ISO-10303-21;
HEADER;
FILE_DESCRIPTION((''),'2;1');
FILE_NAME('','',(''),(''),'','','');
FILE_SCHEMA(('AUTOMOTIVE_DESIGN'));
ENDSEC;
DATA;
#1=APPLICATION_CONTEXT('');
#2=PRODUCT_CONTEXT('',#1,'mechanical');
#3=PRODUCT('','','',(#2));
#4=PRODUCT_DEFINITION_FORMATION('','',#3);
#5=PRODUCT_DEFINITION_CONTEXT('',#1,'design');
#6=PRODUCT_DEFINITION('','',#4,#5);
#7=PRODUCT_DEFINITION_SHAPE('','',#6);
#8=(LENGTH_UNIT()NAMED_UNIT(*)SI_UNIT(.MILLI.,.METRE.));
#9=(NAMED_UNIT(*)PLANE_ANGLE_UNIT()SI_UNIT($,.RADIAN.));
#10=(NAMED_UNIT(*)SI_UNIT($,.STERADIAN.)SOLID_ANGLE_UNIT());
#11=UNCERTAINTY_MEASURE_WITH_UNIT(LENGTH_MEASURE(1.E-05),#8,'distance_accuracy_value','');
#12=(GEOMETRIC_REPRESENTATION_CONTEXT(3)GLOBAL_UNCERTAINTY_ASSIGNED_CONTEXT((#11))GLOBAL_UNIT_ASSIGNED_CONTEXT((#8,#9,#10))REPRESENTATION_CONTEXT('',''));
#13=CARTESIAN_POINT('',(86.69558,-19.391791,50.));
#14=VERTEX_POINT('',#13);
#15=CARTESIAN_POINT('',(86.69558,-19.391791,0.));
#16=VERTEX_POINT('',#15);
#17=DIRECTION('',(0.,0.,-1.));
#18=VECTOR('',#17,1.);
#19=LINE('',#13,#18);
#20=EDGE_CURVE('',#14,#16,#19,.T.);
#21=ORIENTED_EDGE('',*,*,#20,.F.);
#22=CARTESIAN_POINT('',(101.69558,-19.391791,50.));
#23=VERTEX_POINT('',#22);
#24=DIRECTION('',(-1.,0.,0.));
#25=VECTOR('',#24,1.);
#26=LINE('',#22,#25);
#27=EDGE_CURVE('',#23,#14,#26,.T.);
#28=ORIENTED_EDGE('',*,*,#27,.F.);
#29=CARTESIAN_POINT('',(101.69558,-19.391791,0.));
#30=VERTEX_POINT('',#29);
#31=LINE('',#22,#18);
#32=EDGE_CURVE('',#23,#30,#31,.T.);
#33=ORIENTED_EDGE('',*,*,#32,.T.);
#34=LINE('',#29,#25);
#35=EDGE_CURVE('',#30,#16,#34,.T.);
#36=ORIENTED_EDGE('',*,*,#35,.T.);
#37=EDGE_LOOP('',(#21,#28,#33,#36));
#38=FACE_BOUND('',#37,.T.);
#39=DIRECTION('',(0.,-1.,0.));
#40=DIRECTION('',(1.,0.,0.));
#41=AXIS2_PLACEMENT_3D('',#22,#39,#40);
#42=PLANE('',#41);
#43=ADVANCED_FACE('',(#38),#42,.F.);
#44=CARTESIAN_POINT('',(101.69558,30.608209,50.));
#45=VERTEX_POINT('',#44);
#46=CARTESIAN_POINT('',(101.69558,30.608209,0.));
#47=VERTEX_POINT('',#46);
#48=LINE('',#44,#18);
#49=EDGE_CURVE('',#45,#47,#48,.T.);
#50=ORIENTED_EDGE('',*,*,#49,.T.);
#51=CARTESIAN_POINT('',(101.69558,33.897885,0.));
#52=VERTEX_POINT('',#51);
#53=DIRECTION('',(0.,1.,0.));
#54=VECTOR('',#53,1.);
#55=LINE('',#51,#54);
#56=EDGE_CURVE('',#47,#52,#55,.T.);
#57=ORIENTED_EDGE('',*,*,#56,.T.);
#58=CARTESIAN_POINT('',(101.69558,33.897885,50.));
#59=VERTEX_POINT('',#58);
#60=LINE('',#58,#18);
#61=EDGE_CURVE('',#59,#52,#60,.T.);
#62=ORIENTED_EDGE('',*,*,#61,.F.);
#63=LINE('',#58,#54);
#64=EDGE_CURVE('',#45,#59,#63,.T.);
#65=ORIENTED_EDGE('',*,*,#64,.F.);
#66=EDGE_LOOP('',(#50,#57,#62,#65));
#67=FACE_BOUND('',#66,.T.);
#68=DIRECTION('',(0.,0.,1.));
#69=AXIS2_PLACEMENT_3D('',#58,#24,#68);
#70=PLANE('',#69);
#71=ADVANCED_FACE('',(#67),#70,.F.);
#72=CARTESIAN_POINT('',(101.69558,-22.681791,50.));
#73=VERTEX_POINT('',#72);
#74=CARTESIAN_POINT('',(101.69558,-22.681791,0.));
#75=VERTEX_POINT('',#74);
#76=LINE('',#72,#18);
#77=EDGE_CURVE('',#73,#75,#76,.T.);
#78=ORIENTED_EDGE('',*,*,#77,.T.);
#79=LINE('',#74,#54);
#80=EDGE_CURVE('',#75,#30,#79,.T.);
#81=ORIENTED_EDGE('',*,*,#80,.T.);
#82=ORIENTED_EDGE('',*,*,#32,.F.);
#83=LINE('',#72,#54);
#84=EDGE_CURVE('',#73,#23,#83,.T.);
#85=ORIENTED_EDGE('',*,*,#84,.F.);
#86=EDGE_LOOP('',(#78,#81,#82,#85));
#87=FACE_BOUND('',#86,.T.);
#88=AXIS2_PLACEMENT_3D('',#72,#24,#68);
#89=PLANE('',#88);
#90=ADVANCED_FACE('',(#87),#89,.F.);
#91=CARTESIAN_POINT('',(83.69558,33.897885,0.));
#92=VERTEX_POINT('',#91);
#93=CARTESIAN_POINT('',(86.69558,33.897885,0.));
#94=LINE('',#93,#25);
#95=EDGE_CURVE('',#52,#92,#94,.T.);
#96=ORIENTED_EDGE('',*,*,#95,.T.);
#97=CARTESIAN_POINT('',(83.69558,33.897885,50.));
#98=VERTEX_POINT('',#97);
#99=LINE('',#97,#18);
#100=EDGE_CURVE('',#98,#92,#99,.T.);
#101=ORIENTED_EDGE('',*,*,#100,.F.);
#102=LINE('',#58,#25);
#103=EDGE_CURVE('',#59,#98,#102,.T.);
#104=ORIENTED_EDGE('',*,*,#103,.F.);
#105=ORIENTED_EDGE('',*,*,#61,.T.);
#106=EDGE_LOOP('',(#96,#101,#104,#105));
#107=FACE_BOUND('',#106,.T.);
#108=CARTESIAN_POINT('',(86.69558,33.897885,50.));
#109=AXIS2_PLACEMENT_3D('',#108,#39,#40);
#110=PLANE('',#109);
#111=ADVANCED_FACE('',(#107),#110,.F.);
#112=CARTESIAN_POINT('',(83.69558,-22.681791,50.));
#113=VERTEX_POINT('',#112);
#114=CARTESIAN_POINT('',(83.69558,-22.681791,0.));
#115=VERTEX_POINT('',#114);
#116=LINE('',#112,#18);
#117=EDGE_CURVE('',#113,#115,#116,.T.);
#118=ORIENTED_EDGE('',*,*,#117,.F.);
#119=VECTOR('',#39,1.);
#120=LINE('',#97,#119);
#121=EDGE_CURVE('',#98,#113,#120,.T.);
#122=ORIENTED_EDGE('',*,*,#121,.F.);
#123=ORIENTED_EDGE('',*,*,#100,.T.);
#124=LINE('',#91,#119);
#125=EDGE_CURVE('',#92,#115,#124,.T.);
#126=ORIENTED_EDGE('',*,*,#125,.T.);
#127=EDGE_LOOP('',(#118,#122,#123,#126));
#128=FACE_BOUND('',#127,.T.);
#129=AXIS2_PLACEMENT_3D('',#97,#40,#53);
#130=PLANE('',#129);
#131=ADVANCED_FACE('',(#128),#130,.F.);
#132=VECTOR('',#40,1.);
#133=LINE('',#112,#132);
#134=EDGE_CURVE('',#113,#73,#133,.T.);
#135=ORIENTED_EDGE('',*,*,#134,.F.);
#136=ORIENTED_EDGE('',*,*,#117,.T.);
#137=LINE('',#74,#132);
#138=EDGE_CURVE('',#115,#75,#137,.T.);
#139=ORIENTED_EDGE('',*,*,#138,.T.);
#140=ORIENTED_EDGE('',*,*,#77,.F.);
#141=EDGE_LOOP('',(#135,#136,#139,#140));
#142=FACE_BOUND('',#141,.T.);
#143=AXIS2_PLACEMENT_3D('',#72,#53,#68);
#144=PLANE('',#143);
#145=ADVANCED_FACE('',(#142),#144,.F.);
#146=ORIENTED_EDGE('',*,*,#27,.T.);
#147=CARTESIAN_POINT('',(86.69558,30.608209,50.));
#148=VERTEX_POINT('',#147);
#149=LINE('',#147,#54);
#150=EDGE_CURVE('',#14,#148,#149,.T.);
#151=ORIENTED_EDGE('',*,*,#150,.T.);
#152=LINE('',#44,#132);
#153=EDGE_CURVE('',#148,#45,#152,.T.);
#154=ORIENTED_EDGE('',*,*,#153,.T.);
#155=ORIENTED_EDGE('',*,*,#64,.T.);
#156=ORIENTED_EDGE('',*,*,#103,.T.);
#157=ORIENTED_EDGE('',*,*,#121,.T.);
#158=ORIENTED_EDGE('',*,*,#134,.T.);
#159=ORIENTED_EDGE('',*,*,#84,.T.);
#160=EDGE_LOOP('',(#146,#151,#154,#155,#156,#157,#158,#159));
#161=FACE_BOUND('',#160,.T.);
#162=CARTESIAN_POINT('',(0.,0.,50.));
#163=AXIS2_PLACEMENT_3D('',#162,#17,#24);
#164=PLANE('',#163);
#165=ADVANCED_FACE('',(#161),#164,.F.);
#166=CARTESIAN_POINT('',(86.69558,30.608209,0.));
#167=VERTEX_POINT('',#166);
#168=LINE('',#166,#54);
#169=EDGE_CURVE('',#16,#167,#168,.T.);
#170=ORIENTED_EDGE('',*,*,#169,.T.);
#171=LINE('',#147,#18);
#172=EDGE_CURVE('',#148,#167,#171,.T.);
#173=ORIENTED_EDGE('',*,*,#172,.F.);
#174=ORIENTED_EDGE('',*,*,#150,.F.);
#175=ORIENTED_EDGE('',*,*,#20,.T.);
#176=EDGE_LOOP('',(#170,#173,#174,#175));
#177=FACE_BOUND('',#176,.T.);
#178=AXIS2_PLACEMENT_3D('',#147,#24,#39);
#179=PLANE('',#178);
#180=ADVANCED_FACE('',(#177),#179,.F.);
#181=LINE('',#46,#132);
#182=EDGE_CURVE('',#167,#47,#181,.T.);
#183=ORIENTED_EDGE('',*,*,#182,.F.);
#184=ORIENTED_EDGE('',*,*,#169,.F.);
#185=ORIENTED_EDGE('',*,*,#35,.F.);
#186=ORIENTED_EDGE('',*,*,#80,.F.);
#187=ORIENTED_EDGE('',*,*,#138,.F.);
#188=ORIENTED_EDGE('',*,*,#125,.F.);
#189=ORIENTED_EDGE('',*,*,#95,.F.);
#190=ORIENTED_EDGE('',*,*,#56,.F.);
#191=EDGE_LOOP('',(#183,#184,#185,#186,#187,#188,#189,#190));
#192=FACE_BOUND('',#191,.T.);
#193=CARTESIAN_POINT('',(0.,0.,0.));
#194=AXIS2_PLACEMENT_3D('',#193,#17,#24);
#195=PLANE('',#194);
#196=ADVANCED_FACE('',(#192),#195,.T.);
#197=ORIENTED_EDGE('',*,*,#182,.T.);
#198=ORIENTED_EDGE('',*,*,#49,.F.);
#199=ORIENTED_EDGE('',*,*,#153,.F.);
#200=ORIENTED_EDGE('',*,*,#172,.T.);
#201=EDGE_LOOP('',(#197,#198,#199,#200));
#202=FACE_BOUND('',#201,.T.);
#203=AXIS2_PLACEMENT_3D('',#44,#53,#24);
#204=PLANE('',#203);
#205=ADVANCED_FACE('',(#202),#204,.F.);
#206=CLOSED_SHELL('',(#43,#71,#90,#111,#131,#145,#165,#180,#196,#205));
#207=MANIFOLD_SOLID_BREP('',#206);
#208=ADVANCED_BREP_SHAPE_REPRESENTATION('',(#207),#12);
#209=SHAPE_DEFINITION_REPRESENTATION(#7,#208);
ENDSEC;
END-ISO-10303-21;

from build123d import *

# Parameters (mm, degrees)
BOSS_EXTRUDE1_DEPTH = 50


with BuildPart() as part:
    # Sketch3 → Boss-Extrude1 (new body)
    with BuildSketch(Plane.XY):
        Polygon((101.695580432, 33.897884699), (86.695580432, 33.897884699), (83.695580432, 33.897884699), (83.695580432, -22.681791045), (86.695580432, -22.681791045), (101.695580432, -22.681791045), (101.695580432, -19.391791045), (86.695580432, -19.391791045), (86.695580432, 30.608208955), (101.695580432, 30.608208955), align=None)
    extrude(amount=BOSS_EXTRUDE1_DEPTH)


solid = part.part
